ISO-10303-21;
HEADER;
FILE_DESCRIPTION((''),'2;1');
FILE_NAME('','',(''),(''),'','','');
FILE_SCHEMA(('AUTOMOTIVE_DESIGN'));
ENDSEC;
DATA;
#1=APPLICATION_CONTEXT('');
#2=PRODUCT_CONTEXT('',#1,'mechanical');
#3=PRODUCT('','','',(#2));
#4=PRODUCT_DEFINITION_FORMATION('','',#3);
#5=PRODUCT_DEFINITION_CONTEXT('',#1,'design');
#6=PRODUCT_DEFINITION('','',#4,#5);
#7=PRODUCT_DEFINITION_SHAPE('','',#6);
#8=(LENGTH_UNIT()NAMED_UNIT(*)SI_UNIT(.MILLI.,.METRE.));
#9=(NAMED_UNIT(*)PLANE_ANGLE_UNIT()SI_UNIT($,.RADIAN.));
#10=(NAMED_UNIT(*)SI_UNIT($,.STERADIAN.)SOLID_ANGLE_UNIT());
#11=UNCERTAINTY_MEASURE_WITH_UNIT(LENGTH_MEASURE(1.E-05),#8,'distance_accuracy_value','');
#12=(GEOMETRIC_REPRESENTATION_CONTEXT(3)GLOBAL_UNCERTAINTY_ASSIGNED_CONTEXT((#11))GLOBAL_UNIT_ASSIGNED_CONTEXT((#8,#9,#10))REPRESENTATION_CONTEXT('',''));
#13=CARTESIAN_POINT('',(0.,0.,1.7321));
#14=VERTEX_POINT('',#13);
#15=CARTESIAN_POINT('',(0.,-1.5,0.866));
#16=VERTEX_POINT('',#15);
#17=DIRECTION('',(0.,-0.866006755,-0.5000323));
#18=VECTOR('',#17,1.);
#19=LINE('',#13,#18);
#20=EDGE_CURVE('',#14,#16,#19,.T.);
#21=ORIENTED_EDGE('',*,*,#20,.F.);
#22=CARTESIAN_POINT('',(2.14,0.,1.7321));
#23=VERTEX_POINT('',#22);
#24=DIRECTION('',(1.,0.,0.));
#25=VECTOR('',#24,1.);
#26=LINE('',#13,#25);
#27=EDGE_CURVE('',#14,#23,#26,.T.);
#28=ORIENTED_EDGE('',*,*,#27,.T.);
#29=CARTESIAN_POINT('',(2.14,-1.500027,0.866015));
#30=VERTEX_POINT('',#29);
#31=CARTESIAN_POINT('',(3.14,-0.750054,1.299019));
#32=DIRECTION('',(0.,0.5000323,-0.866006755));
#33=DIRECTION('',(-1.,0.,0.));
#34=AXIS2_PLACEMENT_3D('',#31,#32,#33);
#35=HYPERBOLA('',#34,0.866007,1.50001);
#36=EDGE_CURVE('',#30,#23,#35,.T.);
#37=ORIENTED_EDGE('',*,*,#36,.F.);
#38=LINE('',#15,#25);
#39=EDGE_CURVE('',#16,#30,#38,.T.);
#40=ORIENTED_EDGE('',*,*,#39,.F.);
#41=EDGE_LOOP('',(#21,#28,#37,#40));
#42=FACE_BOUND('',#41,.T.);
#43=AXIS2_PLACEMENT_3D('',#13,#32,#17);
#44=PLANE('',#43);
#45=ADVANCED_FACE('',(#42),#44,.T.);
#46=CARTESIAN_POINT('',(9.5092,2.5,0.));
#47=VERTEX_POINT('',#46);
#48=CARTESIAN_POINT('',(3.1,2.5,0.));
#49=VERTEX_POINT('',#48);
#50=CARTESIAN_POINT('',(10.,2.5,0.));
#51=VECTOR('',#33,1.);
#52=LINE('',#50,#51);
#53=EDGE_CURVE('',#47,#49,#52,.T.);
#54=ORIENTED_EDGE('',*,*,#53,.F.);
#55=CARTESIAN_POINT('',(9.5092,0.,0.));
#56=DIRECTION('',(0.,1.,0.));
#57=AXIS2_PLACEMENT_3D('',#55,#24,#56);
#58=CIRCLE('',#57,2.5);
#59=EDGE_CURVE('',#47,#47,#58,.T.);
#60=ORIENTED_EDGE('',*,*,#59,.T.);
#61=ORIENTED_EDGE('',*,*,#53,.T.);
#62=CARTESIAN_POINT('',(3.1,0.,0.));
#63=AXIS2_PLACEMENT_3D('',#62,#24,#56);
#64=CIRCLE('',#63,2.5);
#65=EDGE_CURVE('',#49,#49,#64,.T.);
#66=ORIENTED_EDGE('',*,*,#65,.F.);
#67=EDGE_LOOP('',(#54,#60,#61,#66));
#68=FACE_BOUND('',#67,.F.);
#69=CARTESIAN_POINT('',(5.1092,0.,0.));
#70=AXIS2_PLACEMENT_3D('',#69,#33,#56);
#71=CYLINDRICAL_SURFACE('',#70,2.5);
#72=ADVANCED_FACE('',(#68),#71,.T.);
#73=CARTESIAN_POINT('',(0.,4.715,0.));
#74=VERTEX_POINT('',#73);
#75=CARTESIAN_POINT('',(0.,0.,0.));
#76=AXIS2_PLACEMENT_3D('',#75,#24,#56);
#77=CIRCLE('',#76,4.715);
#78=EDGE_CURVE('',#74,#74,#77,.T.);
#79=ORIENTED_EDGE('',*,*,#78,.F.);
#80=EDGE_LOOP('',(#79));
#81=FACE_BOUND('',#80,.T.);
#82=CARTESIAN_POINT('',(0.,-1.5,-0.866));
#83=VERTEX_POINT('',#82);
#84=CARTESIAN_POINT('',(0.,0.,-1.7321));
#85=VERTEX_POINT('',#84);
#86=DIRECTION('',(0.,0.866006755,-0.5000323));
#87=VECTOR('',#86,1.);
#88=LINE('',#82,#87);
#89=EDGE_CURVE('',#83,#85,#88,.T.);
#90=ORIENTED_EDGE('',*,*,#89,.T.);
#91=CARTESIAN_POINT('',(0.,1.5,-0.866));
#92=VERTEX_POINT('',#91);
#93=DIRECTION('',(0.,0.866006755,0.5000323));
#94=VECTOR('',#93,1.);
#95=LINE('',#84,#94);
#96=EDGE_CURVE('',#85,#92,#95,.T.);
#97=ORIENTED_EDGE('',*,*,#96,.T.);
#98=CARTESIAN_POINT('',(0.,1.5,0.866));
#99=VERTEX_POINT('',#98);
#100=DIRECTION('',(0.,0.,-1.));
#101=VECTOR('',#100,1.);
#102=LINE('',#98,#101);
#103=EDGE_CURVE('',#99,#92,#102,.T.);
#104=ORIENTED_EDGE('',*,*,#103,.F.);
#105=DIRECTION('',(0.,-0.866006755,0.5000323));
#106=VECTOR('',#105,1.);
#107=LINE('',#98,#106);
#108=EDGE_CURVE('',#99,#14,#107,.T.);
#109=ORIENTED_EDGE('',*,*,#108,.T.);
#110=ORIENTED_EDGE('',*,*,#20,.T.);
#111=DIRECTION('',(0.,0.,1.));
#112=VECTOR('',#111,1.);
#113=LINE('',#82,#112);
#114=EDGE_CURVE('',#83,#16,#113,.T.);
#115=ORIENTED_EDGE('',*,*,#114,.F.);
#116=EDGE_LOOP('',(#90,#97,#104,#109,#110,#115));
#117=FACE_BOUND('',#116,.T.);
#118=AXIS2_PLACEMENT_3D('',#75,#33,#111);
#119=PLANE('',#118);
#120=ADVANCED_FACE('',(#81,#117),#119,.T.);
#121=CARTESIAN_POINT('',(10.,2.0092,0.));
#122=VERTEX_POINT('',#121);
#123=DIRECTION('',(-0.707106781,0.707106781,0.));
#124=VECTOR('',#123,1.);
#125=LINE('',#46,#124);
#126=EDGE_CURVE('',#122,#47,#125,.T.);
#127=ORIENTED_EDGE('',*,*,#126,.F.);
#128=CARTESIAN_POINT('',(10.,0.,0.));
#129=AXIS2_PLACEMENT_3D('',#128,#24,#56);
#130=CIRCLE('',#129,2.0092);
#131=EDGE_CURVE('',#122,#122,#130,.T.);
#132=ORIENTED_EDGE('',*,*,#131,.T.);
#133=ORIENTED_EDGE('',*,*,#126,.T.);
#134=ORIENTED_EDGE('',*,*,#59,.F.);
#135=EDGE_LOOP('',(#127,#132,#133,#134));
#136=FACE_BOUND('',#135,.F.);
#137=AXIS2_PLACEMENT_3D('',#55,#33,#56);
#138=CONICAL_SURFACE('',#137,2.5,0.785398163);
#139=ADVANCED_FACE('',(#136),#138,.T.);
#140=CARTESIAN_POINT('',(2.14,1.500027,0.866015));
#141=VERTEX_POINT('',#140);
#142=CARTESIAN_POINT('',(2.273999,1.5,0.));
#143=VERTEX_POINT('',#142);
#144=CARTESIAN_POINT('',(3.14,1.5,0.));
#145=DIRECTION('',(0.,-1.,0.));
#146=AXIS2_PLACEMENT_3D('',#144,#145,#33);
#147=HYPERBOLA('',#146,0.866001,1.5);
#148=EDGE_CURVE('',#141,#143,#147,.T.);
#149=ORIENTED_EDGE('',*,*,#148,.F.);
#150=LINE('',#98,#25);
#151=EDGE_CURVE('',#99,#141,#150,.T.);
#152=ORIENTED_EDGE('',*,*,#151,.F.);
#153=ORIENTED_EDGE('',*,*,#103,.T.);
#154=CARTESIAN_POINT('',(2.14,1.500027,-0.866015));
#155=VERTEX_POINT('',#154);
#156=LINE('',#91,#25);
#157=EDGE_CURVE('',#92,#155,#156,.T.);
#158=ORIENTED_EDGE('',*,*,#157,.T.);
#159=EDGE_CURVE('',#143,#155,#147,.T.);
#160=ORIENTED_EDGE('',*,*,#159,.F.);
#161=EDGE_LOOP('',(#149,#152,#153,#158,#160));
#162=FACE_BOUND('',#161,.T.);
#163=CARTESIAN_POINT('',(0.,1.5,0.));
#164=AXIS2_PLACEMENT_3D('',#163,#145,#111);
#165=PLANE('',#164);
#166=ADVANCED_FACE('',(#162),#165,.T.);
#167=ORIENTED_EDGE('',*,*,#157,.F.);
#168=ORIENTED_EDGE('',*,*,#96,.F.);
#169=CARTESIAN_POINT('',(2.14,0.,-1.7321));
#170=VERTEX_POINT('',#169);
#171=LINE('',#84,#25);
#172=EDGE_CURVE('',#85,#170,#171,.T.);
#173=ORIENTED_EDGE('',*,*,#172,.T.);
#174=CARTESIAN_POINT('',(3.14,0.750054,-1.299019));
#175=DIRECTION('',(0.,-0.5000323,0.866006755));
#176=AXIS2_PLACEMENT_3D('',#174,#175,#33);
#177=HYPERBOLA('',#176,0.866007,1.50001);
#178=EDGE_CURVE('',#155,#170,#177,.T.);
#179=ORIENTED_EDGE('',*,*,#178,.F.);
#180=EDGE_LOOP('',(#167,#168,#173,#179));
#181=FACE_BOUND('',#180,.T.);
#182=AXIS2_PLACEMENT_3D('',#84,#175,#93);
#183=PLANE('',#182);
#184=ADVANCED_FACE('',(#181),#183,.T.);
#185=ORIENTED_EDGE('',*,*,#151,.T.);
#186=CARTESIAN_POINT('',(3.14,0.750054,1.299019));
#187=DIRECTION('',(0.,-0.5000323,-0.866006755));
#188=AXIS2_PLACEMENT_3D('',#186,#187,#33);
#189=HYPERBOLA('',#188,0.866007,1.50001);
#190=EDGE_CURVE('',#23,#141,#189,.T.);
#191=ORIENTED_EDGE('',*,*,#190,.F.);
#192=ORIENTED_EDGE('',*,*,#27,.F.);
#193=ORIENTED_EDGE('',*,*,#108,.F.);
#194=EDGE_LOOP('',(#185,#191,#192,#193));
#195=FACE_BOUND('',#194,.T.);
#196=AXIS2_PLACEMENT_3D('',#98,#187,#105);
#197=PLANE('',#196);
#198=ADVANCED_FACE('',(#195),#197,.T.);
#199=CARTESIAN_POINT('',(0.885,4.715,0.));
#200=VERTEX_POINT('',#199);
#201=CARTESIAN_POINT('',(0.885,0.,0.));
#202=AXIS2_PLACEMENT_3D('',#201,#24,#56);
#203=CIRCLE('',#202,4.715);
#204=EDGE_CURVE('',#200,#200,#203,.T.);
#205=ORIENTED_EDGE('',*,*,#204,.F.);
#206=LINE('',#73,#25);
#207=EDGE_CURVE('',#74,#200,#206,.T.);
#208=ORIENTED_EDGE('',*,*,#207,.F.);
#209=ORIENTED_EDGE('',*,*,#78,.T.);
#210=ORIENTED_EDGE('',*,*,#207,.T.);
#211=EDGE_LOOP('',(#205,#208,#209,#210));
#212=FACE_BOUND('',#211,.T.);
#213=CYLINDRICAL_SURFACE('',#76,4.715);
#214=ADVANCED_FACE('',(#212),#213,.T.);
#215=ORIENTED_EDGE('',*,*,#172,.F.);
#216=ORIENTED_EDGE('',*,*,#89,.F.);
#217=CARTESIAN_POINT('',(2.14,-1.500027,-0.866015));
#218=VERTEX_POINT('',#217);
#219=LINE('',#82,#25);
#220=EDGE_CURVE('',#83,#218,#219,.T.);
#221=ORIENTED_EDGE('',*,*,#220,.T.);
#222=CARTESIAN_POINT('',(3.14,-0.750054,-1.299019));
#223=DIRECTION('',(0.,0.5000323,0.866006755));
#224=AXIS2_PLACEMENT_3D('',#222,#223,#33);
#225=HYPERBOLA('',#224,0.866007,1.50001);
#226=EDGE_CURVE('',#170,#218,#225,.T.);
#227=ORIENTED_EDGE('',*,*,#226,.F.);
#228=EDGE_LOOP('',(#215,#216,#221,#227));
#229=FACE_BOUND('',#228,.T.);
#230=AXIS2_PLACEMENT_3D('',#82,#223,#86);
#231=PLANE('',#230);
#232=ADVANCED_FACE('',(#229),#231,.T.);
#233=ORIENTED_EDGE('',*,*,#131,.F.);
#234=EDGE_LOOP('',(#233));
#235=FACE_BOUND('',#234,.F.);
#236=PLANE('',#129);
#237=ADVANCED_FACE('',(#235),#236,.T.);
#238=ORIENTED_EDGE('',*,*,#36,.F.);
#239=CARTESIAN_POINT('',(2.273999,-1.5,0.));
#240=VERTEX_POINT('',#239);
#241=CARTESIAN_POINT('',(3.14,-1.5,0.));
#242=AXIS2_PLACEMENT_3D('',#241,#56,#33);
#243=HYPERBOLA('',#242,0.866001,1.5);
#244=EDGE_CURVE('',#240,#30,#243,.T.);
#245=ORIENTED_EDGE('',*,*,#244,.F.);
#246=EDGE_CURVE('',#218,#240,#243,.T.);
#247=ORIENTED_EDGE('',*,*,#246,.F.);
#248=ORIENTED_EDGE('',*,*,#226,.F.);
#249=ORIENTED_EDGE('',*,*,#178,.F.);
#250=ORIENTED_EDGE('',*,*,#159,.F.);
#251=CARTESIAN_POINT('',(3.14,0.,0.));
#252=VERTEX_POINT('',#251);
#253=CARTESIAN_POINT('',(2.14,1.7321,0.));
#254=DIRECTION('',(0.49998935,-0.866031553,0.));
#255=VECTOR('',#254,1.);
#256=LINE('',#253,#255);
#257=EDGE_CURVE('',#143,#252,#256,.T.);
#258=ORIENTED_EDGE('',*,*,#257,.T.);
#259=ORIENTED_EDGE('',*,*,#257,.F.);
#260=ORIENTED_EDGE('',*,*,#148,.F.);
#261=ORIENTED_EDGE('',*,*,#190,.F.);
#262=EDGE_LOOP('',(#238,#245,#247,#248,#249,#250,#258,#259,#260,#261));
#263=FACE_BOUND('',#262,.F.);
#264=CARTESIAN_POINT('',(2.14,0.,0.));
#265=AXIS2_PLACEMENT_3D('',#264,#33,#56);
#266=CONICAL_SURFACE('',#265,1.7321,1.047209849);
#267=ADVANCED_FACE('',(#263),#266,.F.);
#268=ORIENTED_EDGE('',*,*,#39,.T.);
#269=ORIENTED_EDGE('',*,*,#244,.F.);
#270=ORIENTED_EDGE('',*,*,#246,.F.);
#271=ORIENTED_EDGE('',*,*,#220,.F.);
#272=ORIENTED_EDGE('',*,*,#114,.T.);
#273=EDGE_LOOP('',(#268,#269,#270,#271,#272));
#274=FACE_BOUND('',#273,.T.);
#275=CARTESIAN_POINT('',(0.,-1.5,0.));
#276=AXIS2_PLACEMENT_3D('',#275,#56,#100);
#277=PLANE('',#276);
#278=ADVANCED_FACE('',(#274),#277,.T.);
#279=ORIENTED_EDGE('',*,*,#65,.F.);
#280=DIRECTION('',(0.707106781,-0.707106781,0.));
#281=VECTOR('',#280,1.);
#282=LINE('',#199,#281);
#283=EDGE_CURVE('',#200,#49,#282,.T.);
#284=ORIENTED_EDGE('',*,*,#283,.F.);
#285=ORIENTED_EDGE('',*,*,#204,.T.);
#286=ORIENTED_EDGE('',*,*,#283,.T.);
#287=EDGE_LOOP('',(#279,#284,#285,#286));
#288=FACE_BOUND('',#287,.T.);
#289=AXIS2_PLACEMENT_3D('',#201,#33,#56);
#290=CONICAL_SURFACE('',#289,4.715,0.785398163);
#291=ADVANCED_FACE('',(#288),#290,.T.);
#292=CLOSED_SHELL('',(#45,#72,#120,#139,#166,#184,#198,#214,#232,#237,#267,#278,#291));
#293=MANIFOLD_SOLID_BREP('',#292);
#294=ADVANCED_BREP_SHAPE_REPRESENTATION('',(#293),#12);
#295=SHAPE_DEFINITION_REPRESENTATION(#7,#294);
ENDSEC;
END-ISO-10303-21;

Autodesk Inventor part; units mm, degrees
ref_plane "YZ Plane" through (0, 0, 0) normal (1, 0, 0) x (0, 1, 0)
ref_plane "XZ Plane" through (0, 0, 0) normal (0, 1, 0) x (-1, 0, 0)
sketch "Esquisse1" plane through (0, 0, 0) normal (0, 0, 1) x (1, 0, 0)
  line L0 (10, 0) -> (10, 2.5)
  line L1 (10, 2.5) -> (5.6, 2.5)
  line L2 (5.6, 2.5) -> (5.1092, 2.5)
  line L3 (0, 4.715) -> (0, 1.7321)
  line L4 (0, 1.7321) -> (2.14, 1.7321)
  line L5 (2.14, 1.7321) -> (3.14, 0)
  line L6 (3.14, 0) -> (10, 0)
  line L7 (0, 4.715) -> (0.885, 4.715)
  line L8 (0.885, 4.715) -> (3.1, 2.5)
  line L9 (5.1092, 2.5) -> (3.1, 2.5)
  line L10 (5.6, 2.5) -> (3.1, 2.5) construction
  line L11 (3.1, 2.5) -> (3.1, 2.5)
  line L12 (-2, 0) -> (12, 0) projected
  line L13 (0, -0.943) -> (0, 5.658) projected
  dimension "d0" = 10
  dimension "d1" = 4.4
  dimension "d2" = 2.14
  dimension "d3" = 5
  dimension "d6" = 3.1
  dimension "d7" = 45
  dimension "d8" = 3.4641
  dimension "d9" = 60
  dimension "d10" = 9.43
  dimension "d11" = 5
  dimension "d12" = 0.4908
revolve "Corps" add sketch "Esquisse1" angle 360 about axis through (3.14, 0, 0) along (1, 0, 0) contours L6 L5 L4 L3 L7 L8 L9 L2 L1 L0
sketch "Esquisse2" plane through (0, 0, 0) normal (-1, 0, 0) x (0, 0, 1)
  circle A0 centre (0, 0) radius 1.7321 projected
  line L0 (0, -6.601) -> (0, 6.601) projected
  line L1 (-6.601, 0) -> (6.601, 0) projected
  line L2 (1.7321, 0) -> (0.866, -1.5)
  line L3 (0.866, -1.5) -> (-0.866, -1.5)
  line L4 (-0.866, -1.5) -> (-1.7321, 0)
  line L5 (-1.7321, 0) -> (-0.866, 1.5)
  line L6 (-0.866, 1.5) -> (0.866, 1.5)
  line L7 (0.866, 1.5) -> (1.7321, 0)
  point P0 (0, 1.7321)
extrude "Rainure" add sketch "Esquisse2" against normal up to next contours L7 A0 | A0 L2 | L6 L0 A0 | A0 L0 L3 | L0 L6 A0 | A0 L3 L0 | L4 A0 | A0 L5
thread "Filetage" size "M5x0.8" class "6g" standard "ISO Metric profile" length 4.4
chamfer "Chanfrein1" distance 0.4908 distance2 0.4908 1 edges at (10, -2.5, 0) measured on face at (10, 0.4809, 1.5312)
ref_plane "Work Plane1" through (104.775, 0, 0) normal (0, 0, -1) x (1, 0, 0)
equation "\"d15\" = GEL"
equation "\"d17\" = -0.5 * SPD + 0.5 * GD"
equation "\"d18\" = GUL"
equation "\"d0\" = NLG"
equation "\"d1\" = GEL"
equation "\"d2\" = INTI"
equation "\"d3\" = GD"
equation "\"d6\" = KOH"
equation "\"d7\" = 0.5 * SEWI"
equation "\"d8\" = 1.1547 * SW"
equation "\"d10\" = KOD"
equation "\"d11\" = BDM"
equation "\"d12\" = GAL"
equation "\"NLG\" = 10"
equation "\"INTI\" = 2.14"
equation "\"GEL\" = 4.4"
equation "\"GAL\" = 0.61345 * PTC"
equation "\"KOH\" = 3.1"
equation "\"KOD\" = 9.43"
equation "\"GUL\" = 0.61345 * PTC"
equation "\"SPD\" = NND - 1.2269 * PTC"
equation "\"BDM\" = NND"
equation "\"GD\" = NND"
equation "\"SEWI\" = 90deg"
equation "\"SW\" = 3"
equation "\"TOA\" = 30deg"
equation "\"GD1\" = THREADDIA - 1.2269 * PTC"
equation "\"EPV\" = 5.6"
equation "\"THREADDIA\" = 5"
equation "\"PTC\" = 0.8"
equation "\"NND\" = 5"
equation "\"E0\" = 3.47"
equation "\"THREADDESC\" = 1.2345"
properties part number "ISO 10642 - M5 x  10" material "Acier"
